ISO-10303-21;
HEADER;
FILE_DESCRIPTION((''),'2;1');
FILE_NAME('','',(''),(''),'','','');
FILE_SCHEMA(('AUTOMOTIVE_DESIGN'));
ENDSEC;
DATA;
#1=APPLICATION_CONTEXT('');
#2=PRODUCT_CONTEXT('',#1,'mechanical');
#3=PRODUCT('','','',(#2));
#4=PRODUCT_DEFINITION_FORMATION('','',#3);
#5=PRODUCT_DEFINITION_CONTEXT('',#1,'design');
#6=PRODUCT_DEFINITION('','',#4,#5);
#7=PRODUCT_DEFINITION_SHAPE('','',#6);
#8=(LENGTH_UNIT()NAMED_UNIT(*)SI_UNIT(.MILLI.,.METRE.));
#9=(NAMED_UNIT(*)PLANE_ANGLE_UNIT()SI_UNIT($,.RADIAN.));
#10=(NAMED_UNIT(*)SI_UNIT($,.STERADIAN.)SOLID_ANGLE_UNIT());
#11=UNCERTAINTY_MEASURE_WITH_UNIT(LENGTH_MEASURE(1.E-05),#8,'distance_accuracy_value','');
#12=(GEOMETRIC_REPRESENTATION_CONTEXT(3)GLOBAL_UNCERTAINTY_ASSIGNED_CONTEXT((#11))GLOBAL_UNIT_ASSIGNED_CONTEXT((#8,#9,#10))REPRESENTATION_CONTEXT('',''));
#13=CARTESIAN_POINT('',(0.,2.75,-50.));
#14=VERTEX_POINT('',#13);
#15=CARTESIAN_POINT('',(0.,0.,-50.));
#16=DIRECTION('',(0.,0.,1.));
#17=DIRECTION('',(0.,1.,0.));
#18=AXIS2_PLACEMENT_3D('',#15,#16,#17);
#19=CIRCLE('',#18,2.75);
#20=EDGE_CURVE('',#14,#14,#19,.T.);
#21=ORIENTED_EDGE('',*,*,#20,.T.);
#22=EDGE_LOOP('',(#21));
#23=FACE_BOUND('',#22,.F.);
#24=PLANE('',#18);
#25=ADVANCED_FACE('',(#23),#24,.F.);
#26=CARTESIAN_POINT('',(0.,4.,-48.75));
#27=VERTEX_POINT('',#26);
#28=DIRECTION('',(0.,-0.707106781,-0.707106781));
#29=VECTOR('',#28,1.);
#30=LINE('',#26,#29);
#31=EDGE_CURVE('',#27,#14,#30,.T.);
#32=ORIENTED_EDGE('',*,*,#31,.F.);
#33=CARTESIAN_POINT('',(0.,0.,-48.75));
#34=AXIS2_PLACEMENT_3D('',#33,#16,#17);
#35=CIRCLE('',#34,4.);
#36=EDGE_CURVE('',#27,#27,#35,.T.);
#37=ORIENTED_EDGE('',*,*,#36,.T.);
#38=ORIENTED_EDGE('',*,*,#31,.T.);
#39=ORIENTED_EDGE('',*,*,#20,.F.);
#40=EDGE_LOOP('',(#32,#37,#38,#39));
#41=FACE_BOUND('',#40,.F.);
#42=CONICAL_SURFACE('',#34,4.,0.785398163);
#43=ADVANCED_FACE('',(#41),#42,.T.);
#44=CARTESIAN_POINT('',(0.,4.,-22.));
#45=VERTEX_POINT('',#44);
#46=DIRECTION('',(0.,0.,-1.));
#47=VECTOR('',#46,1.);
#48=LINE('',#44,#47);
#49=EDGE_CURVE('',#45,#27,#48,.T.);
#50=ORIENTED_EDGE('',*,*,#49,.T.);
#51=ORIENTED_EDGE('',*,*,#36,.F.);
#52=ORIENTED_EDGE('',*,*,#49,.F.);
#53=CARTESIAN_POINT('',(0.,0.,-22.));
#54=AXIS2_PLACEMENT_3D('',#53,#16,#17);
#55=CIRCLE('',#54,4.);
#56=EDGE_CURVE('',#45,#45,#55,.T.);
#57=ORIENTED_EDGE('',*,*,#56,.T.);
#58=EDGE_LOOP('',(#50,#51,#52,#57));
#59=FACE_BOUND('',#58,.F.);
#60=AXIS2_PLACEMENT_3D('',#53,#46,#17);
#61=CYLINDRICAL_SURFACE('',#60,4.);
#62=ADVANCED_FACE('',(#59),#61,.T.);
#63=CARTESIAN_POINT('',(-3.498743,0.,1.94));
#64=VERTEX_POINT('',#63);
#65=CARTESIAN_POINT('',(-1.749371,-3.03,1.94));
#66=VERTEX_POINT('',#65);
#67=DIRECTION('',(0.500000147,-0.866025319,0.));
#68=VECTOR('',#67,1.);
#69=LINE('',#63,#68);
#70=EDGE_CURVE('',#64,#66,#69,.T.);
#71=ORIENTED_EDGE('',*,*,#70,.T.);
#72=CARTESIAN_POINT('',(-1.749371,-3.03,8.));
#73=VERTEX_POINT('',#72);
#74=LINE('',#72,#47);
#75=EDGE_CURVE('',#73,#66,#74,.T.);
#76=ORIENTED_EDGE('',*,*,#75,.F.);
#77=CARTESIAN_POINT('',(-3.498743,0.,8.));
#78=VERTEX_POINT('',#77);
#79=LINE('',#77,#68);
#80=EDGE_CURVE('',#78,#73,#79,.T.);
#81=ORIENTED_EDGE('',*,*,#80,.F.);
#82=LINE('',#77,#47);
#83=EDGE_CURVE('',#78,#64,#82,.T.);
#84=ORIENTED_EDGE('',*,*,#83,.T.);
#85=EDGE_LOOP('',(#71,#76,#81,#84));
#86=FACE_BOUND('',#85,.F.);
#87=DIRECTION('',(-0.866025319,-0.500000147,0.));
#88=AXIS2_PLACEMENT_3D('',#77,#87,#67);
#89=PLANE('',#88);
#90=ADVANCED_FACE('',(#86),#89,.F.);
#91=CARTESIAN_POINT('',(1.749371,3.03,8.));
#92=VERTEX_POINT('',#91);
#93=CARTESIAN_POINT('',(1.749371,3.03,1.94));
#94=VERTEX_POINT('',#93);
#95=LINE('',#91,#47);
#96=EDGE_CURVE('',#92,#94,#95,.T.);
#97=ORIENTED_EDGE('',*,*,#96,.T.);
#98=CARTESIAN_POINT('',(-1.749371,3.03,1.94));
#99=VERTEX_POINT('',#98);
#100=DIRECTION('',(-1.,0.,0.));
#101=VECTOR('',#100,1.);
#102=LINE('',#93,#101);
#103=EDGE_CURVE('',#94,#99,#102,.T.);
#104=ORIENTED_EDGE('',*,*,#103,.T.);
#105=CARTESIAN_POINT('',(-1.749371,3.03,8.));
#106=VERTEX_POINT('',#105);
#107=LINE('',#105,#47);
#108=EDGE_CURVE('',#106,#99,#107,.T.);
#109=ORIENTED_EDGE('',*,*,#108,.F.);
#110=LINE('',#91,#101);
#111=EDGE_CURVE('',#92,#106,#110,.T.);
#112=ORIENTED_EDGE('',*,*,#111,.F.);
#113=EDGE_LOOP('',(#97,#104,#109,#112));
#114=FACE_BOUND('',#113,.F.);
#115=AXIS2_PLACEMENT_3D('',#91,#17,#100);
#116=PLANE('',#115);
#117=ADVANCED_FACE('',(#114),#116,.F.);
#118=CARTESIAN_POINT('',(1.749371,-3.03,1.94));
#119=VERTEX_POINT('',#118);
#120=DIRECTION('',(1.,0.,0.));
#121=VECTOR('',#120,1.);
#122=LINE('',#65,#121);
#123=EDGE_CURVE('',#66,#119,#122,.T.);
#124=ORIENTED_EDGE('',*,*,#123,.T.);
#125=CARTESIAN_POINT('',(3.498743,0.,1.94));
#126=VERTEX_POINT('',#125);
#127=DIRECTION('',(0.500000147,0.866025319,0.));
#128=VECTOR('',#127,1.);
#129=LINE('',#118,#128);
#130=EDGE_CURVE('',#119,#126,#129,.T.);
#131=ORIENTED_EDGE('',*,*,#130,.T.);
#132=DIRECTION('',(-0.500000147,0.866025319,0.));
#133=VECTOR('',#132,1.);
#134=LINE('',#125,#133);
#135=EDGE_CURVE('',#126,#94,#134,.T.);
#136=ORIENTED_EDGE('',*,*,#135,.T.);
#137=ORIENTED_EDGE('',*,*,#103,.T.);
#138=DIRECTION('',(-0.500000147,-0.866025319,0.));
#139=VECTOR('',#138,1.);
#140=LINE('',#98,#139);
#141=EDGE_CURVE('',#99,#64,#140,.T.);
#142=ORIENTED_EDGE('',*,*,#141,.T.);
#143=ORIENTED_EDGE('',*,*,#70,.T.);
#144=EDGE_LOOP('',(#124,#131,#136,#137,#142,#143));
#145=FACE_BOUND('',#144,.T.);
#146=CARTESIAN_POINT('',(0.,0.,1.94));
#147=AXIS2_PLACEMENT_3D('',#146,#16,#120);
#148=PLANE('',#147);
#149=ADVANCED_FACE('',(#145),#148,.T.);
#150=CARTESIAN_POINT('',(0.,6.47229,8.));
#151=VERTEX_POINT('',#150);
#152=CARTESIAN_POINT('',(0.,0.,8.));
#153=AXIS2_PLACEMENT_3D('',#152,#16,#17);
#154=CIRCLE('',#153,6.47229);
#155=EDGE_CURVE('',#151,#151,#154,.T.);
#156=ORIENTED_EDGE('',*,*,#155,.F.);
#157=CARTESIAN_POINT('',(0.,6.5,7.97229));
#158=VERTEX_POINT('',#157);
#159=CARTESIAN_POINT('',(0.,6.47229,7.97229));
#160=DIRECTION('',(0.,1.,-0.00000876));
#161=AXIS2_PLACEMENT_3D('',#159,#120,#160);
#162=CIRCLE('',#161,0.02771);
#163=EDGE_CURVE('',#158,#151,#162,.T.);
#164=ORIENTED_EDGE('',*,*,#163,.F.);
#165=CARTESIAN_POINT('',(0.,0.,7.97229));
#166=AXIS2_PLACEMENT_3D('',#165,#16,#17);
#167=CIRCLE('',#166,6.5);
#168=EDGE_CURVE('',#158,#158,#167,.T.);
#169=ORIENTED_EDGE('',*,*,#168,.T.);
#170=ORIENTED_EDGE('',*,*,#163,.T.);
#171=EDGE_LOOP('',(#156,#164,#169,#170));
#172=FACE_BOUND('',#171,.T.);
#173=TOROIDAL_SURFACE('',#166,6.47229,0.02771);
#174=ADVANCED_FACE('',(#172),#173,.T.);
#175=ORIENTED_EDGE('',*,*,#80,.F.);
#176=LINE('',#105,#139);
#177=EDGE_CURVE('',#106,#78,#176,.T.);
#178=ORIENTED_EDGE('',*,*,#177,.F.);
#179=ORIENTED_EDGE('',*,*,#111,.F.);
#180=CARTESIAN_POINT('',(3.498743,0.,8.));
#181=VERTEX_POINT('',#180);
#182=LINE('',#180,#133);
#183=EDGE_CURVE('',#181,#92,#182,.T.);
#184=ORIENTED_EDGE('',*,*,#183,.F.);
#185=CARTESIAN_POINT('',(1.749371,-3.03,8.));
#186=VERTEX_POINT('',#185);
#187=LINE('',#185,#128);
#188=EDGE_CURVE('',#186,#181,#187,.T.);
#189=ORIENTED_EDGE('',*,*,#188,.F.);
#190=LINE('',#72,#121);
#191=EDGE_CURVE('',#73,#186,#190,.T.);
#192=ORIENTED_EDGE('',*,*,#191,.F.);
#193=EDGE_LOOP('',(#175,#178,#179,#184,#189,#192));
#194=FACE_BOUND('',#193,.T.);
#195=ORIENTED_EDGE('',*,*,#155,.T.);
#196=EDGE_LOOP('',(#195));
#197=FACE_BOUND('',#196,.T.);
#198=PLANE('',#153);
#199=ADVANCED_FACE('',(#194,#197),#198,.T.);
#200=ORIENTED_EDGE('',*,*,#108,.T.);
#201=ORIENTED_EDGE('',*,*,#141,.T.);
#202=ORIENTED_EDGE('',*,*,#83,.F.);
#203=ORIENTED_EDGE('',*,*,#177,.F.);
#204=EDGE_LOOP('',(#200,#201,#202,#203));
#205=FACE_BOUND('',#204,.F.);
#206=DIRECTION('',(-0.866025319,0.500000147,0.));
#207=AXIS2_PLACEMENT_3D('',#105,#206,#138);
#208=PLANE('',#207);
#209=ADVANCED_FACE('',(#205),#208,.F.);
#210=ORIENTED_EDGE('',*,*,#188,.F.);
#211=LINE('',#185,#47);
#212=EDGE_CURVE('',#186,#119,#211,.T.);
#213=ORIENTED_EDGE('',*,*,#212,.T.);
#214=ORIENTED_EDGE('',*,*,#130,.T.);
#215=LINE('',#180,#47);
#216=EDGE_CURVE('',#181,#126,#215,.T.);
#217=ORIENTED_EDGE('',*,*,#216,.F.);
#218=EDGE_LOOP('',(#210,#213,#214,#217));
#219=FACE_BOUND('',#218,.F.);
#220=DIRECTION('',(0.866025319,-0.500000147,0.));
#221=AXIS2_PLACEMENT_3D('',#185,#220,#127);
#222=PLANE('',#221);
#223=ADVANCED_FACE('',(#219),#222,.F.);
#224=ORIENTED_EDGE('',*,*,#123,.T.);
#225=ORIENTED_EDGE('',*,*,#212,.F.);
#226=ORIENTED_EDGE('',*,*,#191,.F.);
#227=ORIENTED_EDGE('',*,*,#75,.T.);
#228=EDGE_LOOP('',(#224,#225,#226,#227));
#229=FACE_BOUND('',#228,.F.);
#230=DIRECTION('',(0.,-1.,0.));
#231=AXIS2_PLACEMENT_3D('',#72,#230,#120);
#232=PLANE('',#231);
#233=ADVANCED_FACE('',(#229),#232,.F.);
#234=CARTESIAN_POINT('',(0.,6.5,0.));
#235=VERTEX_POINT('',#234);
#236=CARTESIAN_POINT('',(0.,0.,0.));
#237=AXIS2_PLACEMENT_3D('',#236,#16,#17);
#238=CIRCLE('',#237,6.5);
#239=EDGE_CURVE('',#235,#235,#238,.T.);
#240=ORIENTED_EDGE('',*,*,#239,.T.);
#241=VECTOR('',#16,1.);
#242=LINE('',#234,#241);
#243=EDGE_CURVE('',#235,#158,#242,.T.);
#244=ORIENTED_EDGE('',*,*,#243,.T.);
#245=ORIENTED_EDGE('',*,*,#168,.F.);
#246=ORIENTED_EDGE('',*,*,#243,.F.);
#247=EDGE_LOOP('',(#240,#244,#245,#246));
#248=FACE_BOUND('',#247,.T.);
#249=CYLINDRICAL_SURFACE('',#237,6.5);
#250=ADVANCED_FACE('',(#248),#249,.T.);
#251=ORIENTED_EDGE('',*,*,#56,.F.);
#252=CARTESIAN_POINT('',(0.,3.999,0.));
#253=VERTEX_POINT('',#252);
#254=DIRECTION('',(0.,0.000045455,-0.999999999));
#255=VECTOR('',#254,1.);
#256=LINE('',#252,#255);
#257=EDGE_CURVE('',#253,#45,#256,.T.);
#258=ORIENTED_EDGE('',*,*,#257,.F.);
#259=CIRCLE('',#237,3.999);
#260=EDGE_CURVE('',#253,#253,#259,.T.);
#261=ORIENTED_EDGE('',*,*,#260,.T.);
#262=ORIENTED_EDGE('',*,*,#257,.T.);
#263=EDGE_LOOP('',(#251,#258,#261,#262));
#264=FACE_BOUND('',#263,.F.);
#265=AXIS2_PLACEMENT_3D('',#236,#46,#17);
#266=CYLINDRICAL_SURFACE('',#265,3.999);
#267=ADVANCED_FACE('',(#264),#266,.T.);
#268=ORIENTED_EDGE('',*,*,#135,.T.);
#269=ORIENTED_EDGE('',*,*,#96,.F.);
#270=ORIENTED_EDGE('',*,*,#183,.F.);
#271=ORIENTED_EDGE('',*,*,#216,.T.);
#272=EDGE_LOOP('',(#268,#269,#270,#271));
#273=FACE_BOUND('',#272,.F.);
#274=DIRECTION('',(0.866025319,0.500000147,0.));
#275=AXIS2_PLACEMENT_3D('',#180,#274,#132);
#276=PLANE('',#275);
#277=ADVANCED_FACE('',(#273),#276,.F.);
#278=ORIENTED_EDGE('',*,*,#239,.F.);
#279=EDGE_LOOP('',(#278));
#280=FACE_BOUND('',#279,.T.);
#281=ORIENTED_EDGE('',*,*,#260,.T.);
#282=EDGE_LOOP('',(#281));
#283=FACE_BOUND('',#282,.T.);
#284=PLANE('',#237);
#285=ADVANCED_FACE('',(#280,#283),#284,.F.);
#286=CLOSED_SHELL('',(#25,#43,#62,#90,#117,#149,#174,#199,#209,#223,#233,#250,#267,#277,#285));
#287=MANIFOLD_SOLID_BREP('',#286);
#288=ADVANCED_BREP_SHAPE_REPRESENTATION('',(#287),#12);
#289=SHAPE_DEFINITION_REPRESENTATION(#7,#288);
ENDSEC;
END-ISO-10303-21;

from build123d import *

# Parameters (mm, degrees)
POCKET_DEPTH = 6.06


with BuildPart() as part:
    # Sketch → Revolve (revolve)
    with BuildSketch(Plane.YZ):
        with BuildLine():
            Line((3.999, 0), (6.5, 0))
            Line((6.5, 0), (6.5, 7.97229))
            ThreePointArc((6.5, 7.97229), (6.491884, 7.991884), (6.47229, 8))
            Line((6.47229, 8), (0, 8))
            Line((0, -50), (0, 8))
            Line((2.75, -50), (0, -50))
            Line((4, -48.75), (2.75, -50))
            Line((4, -22), (4, -48.75))
            Line((3.999, 0), (4, -22))
        make_face()
    revolve(axis=Axis((0, 0, 0), (0, 0, 1)))

    # Sketch001 → Pocket (cut)
    with BuildSketch(Plane.XY.offset(8)):
        Polygon((3.498743, 0), (1.749371, 3.03), (-1.749371, 3.03), (-3.498743, 0), (-1.749371, -3.03), (1.749371, -3.03), align=None)
    extrude(amount=-POCKET_DEPTH, mode=Mode.SUBTRACT)


solid = part.part
